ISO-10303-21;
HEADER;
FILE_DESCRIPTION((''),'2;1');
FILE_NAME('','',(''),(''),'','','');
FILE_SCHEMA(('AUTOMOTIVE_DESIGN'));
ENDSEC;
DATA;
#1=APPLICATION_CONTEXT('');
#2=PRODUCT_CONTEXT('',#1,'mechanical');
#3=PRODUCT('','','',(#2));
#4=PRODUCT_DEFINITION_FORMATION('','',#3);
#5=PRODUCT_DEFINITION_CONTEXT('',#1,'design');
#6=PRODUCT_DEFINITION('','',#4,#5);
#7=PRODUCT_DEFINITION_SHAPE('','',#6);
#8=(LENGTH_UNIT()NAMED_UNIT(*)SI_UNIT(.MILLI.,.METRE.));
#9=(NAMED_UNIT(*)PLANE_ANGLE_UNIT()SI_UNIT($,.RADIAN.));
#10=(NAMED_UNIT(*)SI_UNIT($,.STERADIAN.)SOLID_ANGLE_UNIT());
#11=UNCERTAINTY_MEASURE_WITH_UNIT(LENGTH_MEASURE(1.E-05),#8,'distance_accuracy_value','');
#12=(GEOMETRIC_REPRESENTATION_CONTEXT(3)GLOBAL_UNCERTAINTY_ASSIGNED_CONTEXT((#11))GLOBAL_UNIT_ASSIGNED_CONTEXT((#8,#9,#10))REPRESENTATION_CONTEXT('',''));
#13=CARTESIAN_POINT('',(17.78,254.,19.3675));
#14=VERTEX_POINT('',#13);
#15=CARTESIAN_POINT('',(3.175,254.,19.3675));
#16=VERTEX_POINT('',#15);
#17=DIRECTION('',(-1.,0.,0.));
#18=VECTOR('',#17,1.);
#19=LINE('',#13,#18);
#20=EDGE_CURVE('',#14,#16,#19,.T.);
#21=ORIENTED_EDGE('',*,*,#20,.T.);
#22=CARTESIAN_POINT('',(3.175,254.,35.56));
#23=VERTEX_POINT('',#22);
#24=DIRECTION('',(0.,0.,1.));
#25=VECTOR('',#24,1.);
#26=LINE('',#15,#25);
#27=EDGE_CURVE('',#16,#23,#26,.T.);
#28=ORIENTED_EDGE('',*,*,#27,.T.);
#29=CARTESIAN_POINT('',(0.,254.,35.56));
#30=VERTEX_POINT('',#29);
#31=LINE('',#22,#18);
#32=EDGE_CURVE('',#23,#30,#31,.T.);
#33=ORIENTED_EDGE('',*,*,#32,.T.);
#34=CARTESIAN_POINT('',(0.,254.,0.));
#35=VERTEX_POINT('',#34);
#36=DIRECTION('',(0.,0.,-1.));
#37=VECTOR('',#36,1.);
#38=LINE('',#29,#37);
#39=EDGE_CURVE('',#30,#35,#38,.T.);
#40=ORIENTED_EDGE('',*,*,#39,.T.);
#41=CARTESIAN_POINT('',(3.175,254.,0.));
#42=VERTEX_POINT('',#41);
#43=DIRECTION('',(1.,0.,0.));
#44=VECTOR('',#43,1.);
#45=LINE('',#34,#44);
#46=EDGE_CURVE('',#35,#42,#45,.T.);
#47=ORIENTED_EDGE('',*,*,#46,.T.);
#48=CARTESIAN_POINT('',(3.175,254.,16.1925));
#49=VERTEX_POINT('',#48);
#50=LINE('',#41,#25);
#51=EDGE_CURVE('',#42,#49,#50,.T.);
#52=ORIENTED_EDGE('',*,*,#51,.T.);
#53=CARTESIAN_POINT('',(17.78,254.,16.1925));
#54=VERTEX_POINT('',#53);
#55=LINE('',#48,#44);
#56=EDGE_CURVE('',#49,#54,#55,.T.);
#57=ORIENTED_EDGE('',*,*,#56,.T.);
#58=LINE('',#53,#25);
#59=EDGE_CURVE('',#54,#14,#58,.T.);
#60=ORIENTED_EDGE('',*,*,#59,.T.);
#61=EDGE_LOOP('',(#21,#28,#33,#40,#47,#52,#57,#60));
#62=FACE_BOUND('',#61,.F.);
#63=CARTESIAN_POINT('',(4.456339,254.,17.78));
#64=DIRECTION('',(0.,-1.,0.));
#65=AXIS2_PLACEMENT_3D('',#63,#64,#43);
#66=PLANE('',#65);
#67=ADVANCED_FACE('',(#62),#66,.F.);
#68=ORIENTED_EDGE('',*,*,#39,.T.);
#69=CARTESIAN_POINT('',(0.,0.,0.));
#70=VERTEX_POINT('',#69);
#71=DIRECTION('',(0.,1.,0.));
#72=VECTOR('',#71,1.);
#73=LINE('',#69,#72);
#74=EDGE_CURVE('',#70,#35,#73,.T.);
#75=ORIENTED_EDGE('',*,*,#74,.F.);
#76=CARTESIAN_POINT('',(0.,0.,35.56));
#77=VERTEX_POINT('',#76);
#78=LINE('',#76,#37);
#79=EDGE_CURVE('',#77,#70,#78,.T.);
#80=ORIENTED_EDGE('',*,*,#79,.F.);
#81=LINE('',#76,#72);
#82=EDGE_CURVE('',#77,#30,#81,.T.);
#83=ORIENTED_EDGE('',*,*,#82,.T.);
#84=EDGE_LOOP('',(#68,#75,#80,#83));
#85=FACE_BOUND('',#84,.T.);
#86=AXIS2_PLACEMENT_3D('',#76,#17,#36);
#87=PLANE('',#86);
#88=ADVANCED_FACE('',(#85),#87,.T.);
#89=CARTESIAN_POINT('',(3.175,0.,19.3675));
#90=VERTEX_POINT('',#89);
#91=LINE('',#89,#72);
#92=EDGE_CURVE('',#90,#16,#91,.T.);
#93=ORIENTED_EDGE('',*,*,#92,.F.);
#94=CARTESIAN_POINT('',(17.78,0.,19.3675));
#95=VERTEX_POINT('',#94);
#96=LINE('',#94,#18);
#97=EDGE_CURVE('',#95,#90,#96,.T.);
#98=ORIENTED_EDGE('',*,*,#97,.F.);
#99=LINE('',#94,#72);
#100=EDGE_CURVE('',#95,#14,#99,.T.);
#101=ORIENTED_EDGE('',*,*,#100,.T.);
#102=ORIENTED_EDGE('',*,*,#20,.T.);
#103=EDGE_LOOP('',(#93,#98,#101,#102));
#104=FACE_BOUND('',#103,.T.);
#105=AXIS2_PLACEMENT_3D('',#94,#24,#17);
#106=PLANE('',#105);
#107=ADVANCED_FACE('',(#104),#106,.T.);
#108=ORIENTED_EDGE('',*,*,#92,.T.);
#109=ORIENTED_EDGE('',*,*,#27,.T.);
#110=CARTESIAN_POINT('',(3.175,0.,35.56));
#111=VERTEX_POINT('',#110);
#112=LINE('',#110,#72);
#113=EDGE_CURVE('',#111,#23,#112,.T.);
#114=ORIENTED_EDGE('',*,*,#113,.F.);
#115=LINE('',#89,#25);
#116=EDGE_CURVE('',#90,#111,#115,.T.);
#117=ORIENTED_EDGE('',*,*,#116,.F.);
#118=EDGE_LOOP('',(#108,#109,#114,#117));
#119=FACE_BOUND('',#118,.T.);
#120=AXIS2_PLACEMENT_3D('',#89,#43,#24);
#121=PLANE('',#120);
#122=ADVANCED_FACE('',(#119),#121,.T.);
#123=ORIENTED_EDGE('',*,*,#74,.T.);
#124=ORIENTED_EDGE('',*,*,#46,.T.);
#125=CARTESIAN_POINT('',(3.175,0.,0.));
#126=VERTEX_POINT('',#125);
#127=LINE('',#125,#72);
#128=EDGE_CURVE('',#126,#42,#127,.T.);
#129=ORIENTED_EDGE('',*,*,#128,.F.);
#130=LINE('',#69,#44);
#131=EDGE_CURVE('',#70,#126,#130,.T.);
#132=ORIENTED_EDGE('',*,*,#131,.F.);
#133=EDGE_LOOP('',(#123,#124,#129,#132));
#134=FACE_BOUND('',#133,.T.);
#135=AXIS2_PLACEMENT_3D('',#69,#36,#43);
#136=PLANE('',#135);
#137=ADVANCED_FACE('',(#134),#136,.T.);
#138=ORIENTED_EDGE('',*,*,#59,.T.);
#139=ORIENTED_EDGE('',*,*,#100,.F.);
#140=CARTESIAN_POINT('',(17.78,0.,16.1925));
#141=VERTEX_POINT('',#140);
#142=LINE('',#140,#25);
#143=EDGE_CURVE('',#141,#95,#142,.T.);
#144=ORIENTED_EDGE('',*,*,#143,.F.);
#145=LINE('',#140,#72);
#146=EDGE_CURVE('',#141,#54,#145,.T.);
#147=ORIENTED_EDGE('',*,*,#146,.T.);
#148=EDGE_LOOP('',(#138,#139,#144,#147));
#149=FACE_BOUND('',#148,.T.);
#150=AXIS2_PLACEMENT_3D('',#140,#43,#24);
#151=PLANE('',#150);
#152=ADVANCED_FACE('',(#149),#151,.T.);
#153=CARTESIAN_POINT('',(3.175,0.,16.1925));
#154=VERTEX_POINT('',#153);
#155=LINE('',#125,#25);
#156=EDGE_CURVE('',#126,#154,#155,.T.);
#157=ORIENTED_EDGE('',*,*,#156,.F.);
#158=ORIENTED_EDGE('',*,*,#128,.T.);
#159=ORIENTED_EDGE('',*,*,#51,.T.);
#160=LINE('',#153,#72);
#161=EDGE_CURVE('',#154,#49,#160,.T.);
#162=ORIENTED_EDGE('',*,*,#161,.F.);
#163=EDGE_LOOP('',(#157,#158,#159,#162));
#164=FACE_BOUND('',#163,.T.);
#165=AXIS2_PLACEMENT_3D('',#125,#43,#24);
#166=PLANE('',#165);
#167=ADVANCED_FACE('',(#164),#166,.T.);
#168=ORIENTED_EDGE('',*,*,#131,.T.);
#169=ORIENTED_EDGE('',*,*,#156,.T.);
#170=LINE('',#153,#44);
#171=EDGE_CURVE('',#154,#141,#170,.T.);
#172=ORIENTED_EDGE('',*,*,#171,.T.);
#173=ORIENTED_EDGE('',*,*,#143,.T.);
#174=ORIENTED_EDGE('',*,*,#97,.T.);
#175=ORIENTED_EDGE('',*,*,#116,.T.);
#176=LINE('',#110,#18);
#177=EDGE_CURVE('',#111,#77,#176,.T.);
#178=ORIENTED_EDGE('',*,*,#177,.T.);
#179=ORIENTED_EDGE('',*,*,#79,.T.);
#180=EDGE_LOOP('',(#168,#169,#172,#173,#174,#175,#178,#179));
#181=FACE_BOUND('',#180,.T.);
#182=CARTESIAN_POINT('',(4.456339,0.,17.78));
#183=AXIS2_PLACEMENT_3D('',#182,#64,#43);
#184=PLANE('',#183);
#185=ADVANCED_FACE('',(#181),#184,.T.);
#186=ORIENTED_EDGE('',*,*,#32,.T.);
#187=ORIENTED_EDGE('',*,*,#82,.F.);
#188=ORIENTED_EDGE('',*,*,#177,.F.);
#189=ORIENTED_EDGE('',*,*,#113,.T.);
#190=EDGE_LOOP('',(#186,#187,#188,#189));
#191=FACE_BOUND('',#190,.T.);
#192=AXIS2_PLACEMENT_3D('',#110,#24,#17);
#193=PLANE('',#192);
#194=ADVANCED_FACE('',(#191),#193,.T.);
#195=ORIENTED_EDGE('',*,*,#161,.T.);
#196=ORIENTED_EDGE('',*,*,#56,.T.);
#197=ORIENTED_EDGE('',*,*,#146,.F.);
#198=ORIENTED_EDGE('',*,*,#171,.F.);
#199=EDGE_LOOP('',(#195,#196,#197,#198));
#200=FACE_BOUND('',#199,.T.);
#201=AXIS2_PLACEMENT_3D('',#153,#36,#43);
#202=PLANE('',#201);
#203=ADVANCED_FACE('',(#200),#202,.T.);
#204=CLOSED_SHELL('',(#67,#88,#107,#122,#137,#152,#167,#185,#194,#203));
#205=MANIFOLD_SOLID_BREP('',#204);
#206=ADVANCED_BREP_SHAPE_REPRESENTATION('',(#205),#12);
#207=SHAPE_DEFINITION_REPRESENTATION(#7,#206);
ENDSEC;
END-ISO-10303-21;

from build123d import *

# Parameters (mm, degrees)
F1_DEPTH = 254


with BuildPart() as f1:
    # F0 (on Front) → F1 (new body)
    with BuildSketch(Plane.XZ):
        Polygon((0, 17.78), (0, 0), (3.175, 0), (3.175, 16.1925), (17.78, 16.1925), (17.78, 19.3675), (3.175, 19.3675), (3.175, 35.56), (0, 35.56), align=None)
    extrude(amount=-F1_DEPTH)


solid = f1.part
